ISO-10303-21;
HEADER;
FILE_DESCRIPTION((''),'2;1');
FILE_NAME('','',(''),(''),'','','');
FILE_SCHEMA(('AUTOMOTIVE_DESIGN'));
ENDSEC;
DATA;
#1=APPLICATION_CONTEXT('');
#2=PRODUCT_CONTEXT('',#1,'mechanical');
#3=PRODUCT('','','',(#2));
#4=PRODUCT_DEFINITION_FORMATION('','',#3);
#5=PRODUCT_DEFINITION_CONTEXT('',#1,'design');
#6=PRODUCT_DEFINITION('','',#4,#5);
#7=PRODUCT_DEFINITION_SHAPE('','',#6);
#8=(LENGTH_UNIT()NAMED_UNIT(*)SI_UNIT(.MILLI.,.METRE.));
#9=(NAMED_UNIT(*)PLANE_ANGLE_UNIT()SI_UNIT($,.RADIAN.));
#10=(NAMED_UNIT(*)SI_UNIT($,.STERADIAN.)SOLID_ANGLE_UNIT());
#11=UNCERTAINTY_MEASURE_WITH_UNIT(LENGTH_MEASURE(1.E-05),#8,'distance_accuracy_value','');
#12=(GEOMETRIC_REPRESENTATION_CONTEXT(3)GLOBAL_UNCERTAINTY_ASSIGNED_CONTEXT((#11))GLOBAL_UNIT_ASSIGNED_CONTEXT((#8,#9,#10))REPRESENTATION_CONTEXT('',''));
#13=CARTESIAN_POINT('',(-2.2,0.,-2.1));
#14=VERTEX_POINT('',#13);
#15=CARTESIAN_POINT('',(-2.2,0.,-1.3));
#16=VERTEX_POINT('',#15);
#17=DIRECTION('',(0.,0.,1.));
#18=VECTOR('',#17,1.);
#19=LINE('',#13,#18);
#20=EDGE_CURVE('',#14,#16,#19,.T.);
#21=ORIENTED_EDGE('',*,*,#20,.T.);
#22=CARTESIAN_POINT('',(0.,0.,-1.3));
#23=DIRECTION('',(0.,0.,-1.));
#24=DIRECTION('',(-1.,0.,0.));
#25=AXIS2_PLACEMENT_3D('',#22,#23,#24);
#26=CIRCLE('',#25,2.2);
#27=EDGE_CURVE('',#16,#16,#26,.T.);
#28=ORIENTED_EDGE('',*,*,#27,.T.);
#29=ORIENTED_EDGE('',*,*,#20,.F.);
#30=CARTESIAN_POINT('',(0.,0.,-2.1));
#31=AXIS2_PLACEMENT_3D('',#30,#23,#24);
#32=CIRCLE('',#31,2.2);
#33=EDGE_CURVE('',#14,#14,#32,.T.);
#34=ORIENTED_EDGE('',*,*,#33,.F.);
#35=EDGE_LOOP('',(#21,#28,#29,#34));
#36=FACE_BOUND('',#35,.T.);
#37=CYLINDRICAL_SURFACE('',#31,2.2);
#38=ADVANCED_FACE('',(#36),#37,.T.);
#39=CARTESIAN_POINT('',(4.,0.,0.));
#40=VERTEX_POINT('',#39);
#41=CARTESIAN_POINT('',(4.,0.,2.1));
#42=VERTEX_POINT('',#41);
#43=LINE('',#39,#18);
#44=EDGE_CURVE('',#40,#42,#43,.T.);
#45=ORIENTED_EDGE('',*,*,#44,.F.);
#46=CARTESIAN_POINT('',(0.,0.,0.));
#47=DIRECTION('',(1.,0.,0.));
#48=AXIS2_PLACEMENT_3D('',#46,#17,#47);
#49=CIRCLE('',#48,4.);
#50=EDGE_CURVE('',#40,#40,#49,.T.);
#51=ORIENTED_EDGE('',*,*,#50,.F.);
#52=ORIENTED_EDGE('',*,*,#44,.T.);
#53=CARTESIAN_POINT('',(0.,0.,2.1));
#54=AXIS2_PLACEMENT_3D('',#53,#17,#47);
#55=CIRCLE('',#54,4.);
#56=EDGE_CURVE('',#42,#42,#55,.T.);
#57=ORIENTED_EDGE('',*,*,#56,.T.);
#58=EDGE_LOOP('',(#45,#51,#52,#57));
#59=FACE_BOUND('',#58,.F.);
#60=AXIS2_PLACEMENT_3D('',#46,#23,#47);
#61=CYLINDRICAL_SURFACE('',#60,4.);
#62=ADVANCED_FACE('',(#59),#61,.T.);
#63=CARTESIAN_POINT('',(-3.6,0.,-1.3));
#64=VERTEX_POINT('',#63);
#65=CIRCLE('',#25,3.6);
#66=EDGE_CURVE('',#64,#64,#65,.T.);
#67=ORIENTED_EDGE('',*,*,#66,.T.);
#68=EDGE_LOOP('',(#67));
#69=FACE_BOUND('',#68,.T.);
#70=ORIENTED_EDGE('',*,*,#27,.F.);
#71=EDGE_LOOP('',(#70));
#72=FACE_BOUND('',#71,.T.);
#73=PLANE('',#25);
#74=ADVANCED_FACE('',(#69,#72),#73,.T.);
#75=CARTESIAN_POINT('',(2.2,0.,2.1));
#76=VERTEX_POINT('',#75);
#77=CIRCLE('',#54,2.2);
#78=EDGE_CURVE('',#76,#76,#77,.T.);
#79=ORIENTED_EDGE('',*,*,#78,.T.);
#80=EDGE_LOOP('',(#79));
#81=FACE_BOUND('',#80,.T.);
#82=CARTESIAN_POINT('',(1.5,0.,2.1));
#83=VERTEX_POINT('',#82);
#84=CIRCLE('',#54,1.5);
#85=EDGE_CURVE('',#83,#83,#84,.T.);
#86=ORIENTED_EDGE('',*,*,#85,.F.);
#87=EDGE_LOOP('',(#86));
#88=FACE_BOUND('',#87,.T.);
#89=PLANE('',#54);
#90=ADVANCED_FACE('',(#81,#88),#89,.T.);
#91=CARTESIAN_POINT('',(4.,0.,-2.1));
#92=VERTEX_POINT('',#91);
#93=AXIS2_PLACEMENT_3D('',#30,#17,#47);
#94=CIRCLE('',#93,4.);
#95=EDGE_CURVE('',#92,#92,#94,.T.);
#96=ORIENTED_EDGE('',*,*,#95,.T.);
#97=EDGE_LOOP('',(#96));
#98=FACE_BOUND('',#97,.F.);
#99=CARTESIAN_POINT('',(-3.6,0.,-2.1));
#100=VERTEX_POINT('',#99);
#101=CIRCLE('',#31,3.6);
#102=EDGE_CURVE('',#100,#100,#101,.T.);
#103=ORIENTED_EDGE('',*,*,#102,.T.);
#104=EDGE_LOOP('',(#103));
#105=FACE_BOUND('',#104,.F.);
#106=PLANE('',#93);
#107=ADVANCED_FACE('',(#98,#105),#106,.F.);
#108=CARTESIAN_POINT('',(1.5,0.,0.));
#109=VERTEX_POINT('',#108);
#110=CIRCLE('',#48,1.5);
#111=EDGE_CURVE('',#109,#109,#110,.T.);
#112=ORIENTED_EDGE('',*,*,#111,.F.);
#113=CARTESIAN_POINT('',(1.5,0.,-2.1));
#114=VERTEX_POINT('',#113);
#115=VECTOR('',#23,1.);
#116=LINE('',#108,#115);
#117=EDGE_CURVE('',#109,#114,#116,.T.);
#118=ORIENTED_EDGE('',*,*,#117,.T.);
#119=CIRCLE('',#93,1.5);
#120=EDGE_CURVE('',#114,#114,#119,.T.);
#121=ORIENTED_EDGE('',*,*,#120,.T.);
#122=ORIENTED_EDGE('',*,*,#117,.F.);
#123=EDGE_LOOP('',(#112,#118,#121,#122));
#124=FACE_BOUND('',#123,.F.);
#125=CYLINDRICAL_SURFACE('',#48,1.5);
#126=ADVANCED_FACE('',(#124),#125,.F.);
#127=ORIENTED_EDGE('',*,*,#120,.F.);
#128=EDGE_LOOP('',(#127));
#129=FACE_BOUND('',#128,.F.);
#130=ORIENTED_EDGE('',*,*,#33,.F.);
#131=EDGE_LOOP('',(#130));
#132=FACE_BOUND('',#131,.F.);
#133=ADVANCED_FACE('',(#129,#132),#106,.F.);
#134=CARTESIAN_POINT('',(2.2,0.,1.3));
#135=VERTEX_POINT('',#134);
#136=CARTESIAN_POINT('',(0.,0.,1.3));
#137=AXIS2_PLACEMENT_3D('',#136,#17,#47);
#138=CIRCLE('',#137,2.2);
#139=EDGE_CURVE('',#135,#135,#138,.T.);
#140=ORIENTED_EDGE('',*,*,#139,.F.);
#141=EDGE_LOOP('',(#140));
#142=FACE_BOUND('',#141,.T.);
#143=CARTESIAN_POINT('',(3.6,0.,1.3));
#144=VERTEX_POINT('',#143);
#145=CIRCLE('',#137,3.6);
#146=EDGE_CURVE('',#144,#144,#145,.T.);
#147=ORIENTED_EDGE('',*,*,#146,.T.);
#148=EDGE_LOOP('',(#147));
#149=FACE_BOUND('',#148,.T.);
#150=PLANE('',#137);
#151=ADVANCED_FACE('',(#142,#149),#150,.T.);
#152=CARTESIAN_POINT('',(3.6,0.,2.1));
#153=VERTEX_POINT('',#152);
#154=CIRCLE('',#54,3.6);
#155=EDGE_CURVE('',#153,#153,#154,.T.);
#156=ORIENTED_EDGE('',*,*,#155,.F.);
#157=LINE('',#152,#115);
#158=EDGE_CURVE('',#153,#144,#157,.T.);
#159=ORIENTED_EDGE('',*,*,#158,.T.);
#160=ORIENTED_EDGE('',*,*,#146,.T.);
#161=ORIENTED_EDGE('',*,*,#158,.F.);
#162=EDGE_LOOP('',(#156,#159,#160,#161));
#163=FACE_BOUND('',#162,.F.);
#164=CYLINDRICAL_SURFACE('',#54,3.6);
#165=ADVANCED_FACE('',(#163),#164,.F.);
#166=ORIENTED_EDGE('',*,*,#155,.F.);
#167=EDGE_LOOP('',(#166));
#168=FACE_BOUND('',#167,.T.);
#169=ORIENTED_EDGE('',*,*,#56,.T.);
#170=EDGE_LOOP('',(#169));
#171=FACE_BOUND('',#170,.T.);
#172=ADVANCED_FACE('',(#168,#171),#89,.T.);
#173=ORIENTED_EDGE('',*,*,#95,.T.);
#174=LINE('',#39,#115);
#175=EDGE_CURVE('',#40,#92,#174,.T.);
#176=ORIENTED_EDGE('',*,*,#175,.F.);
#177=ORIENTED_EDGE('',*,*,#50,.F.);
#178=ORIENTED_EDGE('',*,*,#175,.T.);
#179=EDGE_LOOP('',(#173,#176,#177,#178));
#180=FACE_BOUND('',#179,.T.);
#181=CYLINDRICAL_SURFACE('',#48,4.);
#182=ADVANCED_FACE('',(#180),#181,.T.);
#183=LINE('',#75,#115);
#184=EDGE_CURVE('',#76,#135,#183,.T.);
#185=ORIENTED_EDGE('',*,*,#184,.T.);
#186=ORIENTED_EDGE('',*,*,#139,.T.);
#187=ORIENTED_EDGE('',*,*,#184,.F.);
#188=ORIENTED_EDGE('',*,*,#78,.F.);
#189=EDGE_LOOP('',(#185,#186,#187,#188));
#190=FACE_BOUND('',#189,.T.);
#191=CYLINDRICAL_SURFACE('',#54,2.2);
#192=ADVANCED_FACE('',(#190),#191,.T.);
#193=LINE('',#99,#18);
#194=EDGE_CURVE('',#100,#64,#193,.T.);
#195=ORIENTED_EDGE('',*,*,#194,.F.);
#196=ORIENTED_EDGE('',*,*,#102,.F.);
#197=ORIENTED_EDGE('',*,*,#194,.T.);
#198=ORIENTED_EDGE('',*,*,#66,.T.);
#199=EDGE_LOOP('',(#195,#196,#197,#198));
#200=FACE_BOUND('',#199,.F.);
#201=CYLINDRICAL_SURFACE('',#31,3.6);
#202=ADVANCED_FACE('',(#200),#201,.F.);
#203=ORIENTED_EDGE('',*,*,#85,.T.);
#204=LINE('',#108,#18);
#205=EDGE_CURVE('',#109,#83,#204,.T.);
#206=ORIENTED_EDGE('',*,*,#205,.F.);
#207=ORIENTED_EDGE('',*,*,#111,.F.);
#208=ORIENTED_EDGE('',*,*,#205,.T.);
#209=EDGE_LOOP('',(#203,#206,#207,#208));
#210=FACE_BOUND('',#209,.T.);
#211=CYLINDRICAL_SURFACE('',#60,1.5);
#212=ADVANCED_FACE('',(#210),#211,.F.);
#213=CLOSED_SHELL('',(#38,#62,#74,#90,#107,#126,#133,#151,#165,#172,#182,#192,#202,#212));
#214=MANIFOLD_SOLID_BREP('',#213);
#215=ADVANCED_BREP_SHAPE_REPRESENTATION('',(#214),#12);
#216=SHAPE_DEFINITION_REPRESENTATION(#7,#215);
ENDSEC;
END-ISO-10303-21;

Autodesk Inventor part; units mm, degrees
ref_plane "YZ Plane" through (0, 0, 0) normal (1, 0, 0) x (0, 1, 0)
sketch "Sketch1" plane through (0, 0, 0) normal (0, 0, 1) x (1, 0, 0)
  circle A0 centre (0, 0) radius 1.5
  circle A1 centre (0, 0) radius 2.2
  circle A2 centre (0, 0) radius 4
  dimension "d0" = 3
  dimension "d1" = 4.4
  dimension "d2" = 8
extrude "Extrusion1" add sketch "Sketch1" along normal mid plane 4.2 contours A1 | A2
ref_plane "Work Plane1" through (0, 0, 2.1) normal (0, 0, 1) x (1, 0, 0)
sketch "Sketch2" plane through (0, 0, 2.1) normal (0, 0, 1) x (1, 0, 0)
  circle A0 centre (0, 0) radius 2.2
  circle A1 centre (0, 0) radius 3.6
  dimension "d6" = 4.4
  dimension "d7" = 7.2
extrude "Extrusion2" cut sketch "Sketch2" against normal blind 0.8
ref_plane "Work Plane2" through (0, 0, -2.1) normal (0, 0, -1) x (-1, 0, 0)
sketch "Sketch3" plane through (0, 0, -2.1) normal (0, 0, -1) x (-1, 0, 0)
  circle A0 centre (0, 0) radius 3.6
  circle A1 centre (0, 0) radius 2.2
extrude "Extrusion3" cut sketch "Sketch3" against normal blind 0.8
properties part number "New_main_wheel"
